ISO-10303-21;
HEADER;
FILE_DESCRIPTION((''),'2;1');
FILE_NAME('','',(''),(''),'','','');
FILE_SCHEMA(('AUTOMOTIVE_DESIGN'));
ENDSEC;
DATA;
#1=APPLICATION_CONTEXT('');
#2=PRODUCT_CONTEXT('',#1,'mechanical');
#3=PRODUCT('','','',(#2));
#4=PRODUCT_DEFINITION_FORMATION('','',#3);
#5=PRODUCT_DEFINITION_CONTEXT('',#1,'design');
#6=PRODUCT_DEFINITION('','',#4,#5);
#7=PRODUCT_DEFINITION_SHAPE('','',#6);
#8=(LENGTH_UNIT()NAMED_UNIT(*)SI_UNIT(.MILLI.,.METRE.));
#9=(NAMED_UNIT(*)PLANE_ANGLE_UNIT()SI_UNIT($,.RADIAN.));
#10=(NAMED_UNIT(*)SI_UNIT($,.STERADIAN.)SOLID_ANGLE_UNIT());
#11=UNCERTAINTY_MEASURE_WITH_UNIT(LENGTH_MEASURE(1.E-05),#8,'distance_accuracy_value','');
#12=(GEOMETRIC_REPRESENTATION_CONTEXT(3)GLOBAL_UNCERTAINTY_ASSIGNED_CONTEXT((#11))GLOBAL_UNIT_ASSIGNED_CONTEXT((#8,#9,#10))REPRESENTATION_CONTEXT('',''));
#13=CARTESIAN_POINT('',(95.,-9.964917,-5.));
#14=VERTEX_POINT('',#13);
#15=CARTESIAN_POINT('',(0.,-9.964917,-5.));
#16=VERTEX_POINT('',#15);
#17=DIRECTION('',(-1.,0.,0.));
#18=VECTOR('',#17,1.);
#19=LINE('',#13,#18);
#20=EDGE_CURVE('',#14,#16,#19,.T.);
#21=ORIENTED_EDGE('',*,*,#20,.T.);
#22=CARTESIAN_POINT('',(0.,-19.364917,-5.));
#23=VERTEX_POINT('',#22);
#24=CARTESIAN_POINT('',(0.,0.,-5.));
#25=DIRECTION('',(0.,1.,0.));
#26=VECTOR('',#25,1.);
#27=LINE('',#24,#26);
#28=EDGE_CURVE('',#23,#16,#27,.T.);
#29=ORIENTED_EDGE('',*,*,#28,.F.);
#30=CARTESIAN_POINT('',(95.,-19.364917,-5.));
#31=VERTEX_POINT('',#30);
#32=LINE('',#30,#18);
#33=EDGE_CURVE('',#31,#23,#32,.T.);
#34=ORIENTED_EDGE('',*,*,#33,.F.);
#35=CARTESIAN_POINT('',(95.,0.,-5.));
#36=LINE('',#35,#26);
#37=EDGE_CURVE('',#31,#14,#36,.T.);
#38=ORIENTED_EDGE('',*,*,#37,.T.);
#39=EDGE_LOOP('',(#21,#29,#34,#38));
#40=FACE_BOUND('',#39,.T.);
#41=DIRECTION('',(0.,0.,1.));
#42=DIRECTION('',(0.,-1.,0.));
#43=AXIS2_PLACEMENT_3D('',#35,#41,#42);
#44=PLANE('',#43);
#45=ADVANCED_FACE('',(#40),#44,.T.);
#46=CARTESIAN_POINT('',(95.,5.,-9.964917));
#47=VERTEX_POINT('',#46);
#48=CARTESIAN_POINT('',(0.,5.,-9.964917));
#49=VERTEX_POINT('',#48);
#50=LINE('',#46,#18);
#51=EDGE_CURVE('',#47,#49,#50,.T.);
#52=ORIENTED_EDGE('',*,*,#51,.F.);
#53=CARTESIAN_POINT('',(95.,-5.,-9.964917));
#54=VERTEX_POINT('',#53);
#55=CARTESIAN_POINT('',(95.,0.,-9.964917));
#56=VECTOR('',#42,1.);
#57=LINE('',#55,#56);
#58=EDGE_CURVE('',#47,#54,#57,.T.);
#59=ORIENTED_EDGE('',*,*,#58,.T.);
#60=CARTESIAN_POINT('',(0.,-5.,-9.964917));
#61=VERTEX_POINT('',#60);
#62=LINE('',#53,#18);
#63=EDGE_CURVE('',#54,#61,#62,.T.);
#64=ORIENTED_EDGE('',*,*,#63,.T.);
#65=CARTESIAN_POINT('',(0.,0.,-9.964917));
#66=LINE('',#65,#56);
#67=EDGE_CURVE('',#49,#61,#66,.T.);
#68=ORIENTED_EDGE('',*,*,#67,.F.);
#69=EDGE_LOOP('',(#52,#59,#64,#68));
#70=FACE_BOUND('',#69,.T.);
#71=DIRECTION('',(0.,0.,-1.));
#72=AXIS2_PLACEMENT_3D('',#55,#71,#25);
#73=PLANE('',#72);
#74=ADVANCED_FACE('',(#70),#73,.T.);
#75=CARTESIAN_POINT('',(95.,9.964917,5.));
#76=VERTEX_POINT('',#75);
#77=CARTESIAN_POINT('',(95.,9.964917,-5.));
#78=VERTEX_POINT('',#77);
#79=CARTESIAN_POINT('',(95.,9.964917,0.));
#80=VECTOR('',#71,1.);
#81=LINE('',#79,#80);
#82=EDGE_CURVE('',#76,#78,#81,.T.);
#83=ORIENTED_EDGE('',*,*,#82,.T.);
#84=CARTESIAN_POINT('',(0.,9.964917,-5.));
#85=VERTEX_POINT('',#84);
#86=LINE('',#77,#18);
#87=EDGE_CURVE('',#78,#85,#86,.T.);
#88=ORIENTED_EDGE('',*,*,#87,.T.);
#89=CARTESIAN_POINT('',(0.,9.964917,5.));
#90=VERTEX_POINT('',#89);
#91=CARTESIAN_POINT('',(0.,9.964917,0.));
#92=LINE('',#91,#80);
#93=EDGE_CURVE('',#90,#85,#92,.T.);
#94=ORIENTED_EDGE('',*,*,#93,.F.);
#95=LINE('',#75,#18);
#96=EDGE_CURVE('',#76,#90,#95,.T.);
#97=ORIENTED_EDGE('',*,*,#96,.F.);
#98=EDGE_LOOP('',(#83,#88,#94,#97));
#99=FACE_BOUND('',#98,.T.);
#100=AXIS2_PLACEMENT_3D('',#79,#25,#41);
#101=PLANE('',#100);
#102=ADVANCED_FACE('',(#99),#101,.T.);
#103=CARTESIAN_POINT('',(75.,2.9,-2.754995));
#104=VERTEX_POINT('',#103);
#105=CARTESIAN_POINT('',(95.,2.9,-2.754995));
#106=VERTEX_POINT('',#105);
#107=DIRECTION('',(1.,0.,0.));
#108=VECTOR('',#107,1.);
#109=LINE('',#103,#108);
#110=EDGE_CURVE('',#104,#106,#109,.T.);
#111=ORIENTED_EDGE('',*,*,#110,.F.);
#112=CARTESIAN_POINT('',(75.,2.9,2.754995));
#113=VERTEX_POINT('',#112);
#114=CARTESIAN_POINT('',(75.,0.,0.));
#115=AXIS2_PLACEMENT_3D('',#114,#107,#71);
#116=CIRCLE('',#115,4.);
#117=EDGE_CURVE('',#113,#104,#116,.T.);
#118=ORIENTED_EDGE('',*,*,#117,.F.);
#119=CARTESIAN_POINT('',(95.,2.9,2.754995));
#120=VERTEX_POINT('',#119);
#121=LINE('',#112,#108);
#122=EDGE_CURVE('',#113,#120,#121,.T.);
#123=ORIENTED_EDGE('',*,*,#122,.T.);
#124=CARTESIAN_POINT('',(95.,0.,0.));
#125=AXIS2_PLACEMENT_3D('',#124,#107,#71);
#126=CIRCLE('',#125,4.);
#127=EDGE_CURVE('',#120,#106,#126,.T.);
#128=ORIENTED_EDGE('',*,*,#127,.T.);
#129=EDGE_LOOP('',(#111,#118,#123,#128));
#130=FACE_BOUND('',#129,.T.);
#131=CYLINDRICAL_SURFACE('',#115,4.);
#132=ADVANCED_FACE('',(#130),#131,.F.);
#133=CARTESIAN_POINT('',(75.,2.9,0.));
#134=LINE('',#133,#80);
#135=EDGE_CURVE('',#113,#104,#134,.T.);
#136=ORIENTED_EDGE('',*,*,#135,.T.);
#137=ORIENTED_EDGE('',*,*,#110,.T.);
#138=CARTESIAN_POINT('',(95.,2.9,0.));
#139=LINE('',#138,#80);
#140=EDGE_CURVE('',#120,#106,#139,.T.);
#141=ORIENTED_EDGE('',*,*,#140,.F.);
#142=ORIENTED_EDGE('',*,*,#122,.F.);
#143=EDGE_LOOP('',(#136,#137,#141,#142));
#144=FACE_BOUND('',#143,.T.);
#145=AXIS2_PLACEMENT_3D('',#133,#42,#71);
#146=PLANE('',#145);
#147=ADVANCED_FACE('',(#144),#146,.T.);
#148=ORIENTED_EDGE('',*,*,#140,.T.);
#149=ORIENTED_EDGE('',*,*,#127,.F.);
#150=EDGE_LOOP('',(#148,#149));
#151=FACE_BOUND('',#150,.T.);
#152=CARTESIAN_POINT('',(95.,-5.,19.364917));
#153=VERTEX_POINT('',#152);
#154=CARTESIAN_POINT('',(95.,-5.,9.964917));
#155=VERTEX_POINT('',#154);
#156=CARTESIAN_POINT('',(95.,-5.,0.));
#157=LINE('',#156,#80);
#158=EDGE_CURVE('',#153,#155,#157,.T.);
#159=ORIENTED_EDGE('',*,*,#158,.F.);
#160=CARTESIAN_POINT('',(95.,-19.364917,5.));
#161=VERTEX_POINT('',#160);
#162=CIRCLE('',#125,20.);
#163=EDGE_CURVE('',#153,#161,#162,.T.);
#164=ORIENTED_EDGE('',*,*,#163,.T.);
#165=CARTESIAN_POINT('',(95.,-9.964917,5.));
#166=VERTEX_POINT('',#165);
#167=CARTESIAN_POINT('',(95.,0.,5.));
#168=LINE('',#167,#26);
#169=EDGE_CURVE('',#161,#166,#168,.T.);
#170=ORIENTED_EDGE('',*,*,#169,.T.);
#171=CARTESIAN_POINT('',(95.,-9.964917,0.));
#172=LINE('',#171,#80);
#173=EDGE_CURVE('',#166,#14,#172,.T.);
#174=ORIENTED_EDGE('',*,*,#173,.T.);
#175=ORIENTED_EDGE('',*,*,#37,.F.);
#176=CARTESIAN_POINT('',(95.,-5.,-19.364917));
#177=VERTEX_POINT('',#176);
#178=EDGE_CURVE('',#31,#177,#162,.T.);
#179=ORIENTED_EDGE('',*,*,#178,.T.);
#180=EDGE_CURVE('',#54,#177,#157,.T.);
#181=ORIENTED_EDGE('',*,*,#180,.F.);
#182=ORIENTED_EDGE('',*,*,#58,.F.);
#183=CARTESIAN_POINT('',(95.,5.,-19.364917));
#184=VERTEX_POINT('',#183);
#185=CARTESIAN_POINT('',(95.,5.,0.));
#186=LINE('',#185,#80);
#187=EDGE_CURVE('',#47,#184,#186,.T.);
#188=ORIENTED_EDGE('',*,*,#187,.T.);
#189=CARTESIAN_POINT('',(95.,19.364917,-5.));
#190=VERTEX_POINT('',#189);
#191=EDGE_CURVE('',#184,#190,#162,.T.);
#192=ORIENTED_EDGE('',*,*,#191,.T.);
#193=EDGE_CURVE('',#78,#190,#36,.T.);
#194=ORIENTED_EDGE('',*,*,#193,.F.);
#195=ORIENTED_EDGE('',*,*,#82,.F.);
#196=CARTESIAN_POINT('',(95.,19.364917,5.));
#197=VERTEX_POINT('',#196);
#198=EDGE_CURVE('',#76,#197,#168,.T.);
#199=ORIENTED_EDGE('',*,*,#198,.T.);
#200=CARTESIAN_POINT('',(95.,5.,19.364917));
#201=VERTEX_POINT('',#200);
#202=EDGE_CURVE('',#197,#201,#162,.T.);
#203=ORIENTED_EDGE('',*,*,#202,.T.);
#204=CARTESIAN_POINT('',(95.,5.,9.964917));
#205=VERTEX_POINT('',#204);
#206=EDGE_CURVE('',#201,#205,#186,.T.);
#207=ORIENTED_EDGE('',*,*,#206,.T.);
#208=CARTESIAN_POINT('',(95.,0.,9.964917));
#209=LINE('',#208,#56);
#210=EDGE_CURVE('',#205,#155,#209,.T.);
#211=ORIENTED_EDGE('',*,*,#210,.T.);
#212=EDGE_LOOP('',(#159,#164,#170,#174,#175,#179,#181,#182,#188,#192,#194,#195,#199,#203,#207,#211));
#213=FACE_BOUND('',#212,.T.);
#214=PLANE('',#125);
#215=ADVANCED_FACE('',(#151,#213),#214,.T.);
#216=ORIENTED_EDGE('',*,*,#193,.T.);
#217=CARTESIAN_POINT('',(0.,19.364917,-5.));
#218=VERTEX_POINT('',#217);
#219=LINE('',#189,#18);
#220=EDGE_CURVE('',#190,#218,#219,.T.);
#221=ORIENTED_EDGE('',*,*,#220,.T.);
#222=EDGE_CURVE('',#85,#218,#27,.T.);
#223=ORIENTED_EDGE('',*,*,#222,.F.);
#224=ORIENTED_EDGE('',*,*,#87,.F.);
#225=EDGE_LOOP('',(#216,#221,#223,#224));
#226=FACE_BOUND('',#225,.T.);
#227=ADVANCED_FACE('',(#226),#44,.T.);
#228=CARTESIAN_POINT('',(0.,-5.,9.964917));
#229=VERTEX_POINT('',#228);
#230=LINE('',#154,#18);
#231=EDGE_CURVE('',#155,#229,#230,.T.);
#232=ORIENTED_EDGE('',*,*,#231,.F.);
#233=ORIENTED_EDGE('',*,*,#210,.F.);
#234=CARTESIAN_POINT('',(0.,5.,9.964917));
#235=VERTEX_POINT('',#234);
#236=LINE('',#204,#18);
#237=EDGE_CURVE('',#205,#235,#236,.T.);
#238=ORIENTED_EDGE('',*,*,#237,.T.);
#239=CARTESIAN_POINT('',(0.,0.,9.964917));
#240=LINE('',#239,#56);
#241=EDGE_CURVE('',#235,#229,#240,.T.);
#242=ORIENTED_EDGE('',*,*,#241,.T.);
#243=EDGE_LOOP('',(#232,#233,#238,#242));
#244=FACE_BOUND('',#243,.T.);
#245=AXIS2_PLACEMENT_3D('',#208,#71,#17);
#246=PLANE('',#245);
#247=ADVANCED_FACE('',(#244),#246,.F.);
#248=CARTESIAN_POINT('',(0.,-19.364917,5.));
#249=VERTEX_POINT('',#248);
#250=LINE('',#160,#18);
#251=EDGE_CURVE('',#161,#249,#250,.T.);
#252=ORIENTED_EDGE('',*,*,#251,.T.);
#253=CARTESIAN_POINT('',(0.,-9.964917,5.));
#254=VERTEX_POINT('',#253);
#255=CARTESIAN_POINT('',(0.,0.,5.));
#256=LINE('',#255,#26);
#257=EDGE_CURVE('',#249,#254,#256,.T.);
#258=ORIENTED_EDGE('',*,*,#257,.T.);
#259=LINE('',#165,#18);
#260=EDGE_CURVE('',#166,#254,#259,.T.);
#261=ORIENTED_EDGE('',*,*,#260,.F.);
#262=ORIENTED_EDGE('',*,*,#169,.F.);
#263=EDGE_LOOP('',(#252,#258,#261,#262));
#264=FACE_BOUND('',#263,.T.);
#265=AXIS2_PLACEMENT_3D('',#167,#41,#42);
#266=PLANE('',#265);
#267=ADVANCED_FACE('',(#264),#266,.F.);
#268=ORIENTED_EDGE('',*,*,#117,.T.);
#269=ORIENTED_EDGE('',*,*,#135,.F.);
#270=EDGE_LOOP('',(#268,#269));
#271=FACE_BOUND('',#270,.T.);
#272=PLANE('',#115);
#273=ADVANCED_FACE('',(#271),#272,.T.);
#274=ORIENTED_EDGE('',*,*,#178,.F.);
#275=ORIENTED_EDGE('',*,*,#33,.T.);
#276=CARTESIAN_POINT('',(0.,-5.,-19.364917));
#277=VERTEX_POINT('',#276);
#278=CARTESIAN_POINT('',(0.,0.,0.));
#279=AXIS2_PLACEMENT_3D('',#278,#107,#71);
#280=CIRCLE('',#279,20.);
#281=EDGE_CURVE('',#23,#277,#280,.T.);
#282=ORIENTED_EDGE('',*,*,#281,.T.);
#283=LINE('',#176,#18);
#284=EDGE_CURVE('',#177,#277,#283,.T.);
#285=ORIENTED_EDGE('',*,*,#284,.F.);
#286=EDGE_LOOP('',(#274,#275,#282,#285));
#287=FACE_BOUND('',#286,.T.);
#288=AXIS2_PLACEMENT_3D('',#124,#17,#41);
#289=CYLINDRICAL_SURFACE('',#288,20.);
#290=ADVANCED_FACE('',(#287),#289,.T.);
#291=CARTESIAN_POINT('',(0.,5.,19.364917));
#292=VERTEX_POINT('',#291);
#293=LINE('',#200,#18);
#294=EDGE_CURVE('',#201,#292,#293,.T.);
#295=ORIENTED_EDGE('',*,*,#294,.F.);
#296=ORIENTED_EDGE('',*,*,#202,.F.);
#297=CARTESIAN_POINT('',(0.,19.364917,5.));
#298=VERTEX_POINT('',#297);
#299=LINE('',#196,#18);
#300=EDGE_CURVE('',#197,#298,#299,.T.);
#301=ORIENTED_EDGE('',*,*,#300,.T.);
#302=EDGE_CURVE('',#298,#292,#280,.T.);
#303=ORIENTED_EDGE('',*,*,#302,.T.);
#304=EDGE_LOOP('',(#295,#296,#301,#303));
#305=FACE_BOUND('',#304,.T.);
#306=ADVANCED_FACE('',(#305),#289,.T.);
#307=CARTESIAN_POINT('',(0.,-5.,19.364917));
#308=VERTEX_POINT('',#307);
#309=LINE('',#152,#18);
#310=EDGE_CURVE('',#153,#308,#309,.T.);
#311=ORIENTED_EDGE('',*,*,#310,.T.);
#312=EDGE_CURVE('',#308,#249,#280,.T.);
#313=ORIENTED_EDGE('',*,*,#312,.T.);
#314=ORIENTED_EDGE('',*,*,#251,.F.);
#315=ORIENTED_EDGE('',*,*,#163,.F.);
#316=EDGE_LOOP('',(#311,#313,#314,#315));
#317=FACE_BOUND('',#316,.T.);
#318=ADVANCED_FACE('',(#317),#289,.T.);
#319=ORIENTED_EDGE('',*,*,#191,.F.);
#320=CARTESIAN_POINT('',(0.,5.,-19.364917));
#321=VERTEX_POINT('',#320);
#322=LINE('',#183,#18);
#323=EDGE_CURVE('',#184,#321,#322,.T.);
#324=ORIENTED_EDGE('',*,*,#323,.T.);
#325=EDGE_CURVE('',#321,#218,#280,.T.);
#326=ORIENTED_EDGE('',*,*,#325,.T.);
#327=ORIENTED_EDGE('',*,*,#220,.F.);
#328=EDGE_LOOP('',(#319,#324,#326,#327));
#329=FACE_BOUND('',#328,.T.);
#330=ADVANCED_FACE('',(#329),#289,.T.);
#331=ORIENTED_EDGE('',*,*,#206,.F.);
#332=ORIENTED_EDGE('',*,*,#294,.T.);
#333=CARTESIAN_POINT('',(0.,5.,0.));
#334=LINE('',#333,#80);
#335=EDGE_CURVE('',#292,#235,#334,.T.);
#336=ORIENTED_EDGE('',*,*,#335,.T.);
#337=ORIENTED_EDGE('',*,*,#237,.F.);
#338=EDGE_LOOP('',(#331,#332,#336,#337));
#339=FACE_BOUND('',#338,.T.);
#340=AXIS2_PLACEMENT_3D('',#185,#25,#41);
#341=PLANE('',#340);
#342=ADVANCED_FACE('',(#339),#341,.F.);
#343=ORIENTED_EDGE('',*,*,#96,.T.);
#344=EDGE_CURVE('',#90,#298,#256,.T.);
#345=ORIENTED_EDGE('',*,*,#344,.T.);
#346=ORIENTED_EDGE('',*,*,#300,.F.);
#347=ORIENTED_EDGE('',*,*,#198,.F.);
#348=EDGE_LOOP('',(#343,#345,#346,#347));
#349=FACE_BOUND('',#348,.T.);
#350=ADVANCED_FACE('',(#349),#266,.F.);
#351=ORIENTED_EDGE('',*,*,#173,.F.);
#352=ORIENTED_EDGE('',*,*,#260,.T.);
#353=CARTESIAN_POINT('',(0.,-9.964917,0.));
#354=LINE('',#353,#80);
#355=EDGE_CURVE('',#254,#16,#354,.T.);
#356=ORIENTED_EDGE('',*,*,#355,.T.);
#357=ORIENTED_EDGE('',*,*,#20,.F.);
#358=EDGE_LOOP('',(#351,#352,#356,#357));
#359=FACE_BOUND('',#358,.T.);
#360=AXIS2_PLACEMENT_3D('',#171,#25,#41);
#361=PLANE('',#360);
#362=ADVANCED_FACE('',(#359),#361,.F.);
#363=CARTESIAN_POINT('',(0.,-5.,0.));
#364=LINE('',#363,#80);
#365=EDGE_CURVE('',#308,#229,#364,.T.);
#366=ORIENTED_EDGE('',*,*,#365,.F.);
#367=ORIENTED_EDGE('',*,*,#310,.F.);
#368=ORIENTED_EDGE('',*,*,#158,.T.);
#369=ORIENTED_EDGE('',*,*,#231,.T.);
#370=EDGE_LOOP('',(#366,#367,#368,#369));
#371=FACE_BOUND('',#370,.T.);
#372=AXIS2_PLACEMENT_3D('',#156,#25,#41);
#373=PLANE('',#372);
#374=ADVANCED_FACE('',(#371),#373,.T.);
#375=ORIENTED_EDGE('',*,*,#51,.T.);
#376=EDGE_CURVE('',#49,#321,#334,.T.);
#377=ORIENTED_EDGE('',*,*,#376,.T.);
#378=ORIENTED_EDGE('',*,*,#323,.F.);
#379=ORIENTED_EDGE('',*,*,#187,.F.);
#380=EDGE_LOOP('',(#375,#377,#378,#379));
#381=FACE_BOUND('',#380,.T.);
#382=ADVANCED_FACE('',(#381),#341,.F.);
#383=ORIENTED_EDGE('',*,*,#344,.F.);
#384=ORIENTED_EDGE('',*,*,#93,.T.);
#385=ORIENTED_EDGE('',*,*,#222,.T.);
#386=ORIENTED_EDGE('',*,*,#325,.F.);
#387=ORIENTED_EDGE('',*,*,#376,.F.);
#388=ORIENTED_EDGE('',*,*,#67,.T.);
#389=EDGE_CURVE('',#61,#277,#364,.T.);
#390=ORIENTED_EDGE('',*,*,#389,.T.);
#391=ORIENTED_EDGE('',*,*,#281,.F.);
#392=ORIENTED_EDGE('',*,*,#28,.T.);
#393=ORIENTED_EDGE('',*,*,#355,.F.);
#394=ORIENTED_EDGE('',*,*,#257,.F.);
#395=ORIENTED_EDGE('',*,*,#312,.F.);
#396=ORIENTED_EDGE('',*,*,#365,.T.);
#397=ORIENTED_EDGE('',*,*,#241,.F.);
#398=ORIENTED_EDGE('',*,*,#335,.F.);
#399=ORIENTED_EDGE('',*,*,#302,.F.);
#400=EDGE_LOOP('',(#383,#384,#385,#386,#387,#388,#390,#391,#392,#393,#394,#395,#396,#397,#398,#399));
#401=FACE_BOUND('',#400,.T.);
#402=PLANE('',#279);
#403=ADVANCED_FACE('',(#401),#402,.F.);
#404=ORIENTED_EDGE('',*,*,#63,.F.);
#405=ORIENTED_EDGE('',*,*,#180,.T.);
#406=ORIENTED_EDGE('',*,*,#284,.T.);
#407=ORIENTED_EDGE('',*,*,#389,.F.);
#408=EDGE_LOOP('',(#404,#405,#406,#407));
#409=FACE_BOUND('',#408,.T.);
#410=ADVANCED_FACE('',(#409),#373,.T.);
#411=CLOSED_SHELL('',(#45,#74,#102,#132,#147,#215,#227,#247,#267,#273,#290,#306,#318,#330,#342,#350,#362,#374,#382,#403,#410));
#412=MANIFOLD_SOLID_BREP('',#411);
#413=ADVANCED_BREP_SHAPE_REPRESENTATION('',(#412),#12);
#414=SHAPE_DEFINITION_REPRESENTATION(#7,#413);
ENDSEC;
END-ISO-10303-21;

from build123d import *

# Parameters (mm, degrees)
EXTRUDED_CONNECTOR_DEPTH = 95
KEY_CUT_DEPTH            = 20


with BuildPart() as part:
    # Sketch1 → Extruded Connector (new body)
    with BuildSketch(Plane(origin=(0, 0, 0), x_dir=(0, 0, -1), z_dir=(1, 0, 0))):
        with BuildLine():
            ThreePointArc((-19.364916731, -5), (-14.142135624, -14.142135624), (-5, -19.364916731))
            Line((-5, -19.364916731), (-5, -9.964916731))
            Line((-5, -9.964916731), (5, -9.964916731))
            Line((5, -9.964916731), (5, -19.364916731))
            ThreePointArc((5, -19.364916731), (14.142135624, -14.142135624), (19.364916731, -5))
            Line((19.364916731, -5), (9.964916731, -5))
            Line((9.964916731, -5), (9.964916731, 5))
            Line((9.964916731, 5), (19.364916731, 5))
            ThreePointArc((19.364916731, 5), (14.142135624, 14.142135624), (5, 19.364916731))
            Line((5, 19.364916731), (5, 9.964916731))
            Line((5, 9.964916731), (-5, 9.964916731))
            Line((-5, 9.964916731), (-5, 19.364916731))
            ThreePointArc((-5, 19.364916731), (-14.142135624, 14.142135624), (-19.364916731, 5))
            Line((-19.364916731, 5), (-9.964916731, 5))
            Line((-9.964916731, 5), (-9.964916731, -5))
            Line((-9.964916731, -5), (-19.364916731, -5))
        make_face()
    extrude(amount=EXTRUDED_CONNECTOR_DEPTH)

    # Sketch2 → Key Cut (cut)
    with BuildSketch(Plane(origin=(95, 0, 0), x_dir=(0, 0, -1), z_dir=(1, 0, 0))):
        with BuildLine():
            Line((2.754995463, 2.9), (-2.754995463, 2.9))
            ThreePointArc((-2.754995463, 2.9), (-1.577976259, -3.675593955), (4, 0))
            ThreePointArc((4, 0), (3.675593955, 1.577976259), (2.754995463, 2.9))
        make_face()
    extrude(amount=-KEY_CUT_DEPTH, mode=Mode.SUBTRACT)


solid = part.part
